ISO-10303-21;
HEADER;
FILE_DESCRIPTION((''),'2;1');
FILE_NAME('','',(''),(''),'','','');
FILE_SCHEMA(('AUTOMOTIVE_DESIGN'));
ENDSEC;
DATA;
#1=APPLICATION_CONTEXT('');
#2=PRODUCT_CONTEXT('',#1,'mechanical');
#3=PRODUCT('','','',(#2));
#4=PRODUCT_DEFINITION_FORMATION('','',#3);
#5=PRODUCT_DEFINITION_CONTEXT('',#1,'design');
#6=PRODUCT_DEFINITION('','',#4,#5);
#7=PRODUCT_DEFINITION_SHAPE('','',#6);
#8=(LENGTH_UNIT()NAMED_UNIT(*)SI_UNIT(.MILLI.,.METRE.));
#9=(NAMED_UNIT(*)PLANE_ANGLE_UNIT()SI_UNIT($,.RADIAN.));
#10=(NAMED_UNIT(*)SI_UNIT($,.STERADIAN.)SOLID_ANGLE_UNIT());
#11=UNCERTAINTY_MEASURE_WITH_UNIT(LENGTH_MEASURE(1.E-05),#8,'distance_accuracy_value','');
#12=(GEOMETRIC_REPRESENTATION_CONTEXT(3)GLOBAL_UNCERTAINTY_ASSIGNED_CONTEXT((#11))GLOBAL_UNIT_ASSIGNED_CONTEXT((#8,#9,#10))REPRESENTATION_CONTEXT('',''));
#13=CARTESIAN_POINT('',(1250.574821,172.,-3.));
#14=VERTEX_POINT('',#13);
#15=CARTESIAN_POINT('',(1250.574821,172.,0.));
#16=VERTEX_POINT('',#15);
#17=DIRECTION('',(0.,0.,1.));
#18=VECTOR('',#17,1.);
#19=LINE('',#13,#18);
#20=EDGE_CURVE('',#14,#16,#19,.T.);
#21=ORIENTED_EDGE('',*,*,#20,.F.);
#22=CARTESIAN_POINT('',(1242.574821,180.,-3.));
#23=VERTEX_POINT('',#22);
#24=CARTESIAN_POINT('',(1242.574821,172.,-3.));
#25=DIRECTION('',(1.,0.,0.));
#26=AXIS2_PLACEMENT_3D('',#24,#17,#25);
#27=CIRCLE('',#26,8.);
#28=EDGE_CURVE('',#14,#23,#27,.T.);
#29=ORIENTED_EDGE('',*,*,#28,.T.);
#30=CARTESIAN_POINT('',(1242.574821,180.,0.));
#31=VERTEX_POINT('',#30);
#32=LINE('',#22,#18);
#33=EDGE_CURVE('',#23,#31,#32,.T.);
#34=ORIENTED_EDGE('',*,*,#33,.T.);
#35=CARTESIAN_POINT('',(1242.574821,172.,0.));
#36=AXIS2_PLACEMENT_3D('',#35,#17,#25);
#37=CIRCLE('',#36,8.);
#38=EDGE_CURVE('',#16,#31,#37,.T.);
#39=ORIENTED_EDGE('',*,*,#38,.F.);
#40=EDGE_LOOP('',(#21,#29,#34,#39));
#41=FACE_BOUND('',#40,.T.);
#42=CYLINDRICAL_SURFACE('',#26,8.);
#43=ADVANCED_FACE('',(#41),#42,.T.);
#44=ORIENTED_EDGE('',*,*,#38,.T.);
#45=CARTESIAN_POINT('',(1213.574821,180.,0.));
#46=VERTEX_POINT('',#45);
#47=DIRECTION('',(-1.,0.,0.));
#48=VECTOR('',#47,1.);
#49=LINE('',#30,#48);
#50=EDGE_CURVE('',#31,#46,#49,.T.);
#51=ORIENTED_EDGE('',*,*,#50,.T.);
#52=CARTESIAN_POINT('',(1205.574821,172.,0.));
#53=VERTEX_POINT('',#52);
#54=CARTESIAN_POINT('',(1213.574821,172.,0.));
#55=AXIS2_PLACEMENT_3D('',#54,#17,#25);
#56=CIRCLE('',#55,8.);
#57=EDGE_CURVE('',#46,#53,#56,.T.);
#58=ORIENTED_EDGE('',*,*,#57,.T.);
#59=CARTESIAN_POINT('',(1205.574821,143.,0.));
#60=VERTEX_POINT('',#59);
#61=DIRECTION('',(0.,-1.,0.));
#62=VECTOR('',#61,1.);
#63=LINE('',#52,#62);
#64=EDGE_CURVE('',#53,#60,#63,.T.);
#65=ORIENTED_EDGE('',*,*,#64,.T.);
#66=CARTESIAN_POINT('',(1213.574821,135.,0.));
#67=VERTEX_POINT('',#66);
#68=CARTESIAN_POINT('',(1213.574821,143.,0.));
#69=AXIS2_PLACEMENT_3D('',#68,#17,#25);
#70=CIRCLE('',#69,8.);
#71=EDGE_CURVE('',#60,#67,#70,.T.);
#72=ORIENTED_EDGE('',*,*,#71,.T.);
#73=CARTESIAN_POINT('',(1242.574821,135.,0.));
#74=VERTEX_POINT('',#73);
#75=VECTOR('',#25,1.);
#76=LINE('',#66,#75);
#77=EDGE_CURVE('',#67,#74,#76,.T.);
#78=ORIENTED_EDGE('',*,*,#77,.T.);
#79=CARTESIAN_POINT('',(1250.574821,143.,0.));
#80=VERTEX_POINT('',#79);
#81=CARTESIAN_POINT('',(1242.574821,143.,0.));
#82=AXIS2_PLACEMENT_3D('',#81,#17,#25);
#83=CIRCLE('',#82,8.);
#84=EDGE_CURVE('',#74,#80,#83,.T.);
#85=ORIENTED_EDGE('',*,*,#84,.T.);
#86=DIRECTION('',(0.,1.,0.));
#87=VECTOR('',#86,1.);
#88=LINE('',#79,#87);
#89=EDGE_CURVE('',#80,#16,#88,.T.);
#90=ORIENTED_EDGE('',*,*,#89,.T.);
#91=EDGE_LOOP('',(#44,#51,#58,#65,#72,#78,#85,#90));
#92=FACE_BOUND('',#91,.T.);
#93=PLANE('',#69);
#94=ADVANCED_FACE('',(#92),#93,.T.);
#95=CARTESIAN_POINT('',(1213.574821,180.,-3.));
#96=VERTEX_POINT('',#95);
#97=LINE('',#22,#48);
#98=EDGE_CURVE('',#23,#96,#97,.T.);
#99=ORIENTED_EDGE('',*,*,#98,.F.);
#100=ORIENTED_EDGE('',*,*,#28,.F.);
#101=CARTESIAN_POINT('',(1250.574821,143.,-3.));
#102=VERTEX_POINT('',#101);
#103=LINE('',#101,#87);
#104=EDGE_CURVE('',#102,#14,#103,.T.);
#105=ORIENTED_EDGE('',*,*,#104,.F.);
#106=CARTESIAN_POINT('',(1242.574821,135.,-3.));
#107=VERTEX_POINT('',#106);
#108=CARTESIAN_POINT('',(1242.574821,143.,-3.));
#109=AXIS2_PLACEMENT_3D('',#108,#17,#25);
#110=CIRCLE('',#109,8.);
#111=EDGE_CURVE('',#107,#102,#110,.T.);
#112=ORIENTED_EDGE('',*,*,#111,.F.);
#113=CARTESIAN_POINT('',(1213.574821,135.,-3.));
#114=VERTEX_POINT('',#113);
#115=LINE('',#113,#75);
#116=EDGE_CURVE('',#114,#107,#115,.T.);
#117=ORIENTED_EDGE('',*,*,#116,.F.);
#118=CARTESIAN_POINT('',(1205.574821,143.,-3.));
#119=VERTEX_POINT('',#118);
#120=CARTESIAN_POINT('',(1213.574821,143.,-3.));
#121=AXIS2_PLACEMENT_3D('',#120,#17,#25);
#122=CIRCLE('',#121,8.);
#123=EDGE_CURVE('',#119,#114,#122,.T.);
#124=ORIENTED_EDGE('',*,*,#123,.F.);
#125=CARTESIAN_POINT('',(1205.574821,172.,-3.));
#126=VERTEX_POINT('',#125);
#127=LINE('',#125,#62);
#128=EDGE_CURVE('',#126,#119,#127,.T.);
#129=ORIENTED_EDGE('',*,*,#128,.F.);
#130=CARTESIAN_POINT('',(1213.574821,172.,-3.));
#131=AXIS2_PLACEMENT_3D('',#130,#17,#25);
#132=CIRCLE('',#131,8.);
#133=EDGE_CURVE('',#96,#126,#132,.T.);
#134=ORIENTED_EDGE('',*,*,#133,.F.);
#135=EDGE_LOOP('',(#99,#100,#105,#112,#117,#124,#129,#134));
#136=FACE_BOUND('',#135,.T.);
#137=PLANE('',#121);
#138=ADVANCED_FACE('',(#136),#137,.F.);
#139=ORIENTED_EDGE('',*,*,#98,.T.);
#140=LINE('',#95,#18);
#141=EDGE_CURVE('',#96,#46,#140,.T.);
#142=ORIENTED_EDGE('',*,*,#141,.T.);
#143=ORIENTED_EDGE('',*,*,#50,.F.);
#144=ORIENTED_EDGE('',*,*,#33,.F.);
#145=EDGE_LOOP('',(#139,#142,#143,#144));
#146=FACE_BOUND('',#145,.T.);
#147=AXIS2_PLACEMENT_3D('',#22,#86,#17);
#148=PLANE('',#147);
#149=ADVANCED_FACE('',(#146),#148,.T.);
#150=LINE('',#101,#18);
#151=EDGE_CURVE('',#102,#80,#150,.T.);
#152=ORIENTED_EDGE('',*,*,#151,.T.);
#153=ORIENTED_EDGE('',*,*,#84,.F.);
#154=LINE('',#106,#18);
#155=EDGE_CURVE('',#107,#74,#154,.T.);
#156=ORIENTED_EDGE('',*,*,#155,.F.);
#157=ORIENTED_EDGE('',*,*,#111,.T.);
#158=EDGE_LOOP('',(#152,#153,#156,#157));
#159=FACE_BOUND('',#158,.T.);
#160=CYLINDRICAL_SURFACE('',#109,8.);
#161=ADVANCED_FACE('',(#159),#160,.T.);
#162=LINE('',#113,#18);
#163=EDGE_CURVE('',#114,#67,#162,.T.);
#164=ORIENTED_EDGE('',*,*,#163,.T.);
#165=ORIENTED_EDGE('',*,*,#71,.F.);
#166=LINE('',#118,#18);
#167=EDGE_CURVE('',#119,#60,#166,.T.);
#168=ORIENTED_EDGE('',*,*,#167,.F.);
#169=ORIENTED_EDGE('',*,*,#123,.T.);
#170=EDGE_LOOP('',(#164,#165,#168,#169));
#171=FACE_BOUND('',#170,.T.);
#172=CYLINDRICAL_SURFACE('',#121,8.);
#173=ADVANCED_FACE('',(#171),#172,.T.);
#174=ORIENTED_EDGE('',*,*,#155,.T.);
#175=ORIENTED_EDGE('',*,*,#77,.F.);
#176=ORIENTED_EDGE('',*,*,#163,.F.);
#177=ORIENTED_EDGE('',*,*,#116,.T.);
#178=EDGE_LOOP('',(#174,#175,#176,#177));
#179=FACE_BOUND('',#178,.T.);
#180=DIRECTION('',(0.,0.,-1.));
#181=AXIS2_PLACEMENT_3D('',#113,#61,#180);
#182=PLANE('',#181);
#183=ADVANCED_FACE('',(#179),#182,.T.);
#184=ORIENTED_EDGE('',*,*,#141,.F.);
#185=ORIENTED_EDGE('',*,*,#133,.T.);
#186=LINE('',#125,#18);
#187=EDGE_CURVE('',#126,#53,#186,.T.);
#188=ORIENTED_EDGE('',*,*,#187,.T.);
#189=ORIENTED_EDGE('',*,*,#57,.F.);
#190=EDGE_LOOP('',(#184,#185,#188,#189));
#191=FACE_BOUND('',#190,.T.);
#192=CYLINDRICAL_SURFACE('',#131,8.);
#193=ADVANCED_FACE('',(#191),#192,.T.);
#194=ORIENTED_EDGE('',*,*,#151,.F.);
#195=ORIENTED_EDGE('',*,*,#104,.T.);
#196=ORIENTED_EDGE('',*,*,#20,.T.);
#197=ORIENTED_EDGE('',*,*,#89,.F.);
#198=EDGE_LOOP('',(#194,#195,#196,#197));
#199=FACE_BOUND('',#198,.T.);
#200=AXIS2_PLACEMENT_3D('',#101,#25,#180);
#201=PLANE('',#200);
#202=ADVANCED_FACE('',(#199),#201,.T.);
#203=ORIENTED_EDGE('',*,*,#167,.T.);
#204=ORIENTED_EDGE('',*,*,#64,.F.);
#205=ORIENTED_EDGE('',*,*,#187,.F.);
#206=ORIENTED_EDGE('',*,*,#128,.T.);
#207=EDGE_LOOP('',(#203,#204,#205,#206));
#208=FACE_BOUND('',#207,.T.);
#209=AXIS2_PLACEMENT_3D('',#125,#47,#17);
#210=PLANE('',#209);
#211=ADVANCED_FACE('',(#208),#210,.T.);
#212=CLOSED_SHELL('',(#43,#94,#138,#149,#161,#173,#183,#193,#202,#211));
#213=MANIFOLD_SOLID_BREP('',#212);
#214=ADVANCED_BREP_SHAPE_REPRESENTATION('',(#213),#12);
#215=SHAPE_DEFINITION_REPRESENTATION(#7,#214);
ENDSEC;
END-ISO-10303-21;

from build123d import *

# Parameters (mm, degrees)
BOSS_EXTRUDE1_DEPTH = 3


with BuildPart() as part:
    # Sketch1 → Boss-Extrude1 (new body)
    with BuildSketch(Plane.XY):
        with BuildLine():
            Line((1213.574821367, 135), (1242.574821367, 135))
            ThreePointArc((1242.574821367, 135), (1248.231675617, 137.343145751), (1250.574821367, 143))
            Line((1250.574821367, 143), (1250.574821367, 172))
            ThreePointArc((1250.574821367, 172), (1248.231675617, 177.656854249), (1242.574821367, 180))
            Line((1242.574821367, 180), (1213.574821367, 180))
            ThreePointArc((1213.574821367, 180), (1207.917967118, 177.656854249), (1205.574821367, 172))
            Line((1205.574821367, 172), (1205.574821367, 143))
            ThreePointArc((1205.574821367, 143), (1207.917967118, 137.343145751), (1213.574821367, 135))
        make_face()
    extrude(amount=-BOSS_EXTRUDE1_DEPTH)


solid = part.part
